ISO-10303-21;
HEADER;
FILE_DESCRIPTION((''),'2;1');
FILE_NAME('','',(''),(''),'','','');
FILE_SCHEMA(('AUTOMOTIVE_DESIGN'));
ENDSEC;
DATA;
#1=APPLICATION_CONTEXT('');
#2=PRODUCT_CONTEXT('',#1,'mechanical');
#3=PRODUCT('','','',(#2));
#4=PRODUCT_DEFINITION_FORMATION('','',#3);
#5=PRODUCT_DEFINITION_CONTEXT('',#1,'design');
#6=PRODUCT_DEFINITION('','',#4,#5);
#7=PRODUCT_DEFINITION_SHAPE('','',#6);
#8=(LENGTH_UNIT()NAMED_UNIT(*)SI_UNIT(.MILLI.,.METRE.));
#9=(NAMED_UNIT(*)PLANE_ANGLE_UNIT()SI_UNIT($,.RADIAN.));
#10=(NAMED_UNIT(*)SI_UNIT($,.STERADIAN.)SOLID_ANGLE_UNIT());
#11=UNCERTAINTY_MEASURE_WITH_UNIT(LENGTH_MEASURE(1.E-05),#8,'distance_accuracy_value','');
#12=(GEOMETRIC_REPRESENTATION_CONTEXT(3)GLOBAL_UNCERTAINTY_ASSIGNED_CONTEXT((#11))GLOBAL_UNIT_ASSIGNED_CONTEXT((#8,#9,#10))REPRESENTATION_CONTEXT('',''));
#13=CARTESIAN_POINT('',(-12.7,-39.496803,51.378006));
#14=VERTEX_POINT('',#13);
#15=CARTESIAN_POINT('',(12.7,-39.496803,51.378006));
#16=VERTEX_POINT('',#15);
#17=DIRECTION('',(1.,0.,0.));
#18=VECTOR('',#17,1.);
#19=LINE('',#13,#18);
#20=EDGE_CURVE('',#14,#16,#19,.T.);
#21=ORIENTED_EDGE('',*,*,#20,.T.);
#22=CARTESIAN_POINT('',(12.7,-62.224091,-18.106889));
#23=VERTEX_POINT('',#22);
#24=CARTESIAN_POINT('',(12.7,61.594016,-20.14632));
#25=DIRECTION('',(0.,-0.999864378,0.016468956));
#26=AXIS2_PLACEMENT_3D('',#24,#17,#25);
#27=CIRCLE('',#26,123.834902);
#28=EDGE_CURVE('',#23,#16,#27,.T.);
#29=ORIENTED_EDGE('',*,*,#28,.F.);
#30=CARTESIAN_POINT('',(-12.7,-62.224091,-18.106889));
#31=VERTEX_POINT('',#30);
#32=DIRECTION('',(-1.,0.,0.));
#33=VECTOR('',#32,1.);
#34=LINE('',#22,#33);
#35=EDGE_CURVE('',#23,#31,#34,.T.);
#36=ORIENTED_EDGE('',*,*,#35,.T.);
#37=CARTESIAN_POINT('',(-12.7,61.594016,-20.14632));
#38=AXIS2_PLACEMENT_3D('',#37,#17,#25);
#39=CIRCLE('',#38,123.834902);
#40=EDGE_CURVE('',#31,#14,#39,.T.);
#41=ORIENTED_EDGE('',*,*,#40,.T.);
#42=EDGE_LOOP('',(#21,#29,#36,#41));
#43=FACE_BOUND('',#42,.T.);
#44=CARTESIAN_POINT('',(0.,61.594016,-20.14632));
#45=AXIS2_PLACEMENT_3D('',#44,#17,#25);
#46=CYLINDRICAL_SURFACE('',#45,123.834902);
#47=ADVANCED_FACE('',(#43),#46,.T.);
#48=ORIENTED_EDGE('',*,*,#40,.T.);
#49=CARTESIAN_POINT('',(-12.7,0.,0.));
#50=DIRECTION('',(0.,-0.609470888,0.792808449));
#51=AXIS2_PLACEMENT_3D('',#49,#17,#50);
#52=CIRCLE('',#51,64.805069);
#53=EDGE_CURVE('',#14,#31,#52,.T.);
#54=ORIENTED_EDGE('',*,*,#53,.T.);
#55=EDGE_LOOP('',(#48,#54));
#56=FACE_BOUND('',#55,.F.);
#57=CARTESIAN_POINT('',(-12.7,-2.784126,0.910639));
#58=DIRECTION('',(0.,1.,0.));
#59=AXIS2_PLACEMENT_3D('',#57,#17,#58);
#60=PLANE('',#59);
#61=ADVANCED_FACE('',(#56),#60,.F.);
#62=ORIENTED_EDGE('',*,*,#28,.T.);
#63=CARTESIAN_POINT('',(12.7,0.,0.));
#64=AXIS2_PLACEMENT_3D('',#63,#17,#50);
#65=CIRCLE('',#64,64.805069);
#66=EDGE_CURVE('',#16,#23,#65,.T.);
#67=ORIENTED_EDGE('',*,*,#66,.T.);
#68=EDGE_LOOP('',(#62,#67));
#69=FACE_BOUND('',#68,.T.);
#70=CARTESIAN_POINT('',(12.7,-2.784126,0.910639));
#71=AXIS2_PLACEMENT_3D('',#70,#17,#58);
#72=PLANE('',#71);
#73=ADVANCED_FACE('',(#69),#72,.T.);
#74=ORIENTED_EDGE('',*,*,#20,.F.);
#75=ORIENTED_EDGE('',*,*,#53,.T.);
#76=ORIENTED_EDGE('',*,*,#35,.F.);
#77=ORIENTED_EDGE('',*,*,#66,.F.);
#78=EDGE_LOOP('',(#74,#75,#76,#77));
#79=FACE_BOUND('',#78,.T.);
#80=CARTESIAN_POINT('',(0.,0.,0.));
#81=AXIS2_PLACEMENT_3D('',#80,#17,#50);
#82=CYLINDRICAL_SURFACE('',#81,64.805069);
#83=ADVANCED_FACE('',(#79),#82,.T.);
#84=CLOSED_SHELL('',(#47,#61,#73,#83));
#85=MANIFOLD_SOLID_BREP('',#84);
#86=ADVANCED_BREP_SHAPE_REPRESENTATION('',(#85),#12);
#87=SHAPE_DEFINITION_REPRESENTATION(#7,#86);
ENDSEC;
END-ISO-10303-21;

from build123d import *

# Parameters (mm, degrees)
F1_DEPTH = 12.7


with BuildPart() as f1:
    # F0 (on Right) → F1 (new body, symmetric)
    with BuildSketch(Plane.YZ):
        with BuildLine():
            ThreePointArc((-62.2240914399, -18.1068888326), (9.1449558335, -64.1565800329), (64.805069082, 0))
            ThreePointArc((64.805069082, 0), (28.6365494836, 58.1347143486), (-39.4968029866, 51.3780063116))
            ThreePointArc((-39.4968029866, 51.3780063116), (-56.1049388144, 18.3509398042), (-62.2240914399, -18.1068888326))
        make_face()
        with BuildLine():
            ThreePointArc((-39.4968029866, 51.3780063116), (28.6365494836, 58.1347143486), (64.805069082, 0))
            ThreePointArc((64.805069082, 0), (9.1449558335, -64.1565800329), (-62.2240914399, -18.1068888326))
            ThreePointArc((-62.2240914399, -18.1068888326), (60.5742652225, -143.9770234093), (185.4289173728, -20.1463203759))
            ThreePointArc((185.4289173728, -20.1463203759), (99.1207481443, 97.8656588755), (-39.4968029866, 51.3780063116))
        make_face()
        with BuildLine():
            ThreePointArc((-62.2240914399, -18.1068888326), (-56.1049388144, 18.3509398042), (-39.4968029866, 51.3780063116))
            ThreePointArc((-39.4968029866, 51.3780063116), (-61.59401557, 20.1463203759), (-62.2240914399, -18.1068888326))
        make_face()
    extrude(amount=F1_DEPTH, both=True)


solid = f1.part
